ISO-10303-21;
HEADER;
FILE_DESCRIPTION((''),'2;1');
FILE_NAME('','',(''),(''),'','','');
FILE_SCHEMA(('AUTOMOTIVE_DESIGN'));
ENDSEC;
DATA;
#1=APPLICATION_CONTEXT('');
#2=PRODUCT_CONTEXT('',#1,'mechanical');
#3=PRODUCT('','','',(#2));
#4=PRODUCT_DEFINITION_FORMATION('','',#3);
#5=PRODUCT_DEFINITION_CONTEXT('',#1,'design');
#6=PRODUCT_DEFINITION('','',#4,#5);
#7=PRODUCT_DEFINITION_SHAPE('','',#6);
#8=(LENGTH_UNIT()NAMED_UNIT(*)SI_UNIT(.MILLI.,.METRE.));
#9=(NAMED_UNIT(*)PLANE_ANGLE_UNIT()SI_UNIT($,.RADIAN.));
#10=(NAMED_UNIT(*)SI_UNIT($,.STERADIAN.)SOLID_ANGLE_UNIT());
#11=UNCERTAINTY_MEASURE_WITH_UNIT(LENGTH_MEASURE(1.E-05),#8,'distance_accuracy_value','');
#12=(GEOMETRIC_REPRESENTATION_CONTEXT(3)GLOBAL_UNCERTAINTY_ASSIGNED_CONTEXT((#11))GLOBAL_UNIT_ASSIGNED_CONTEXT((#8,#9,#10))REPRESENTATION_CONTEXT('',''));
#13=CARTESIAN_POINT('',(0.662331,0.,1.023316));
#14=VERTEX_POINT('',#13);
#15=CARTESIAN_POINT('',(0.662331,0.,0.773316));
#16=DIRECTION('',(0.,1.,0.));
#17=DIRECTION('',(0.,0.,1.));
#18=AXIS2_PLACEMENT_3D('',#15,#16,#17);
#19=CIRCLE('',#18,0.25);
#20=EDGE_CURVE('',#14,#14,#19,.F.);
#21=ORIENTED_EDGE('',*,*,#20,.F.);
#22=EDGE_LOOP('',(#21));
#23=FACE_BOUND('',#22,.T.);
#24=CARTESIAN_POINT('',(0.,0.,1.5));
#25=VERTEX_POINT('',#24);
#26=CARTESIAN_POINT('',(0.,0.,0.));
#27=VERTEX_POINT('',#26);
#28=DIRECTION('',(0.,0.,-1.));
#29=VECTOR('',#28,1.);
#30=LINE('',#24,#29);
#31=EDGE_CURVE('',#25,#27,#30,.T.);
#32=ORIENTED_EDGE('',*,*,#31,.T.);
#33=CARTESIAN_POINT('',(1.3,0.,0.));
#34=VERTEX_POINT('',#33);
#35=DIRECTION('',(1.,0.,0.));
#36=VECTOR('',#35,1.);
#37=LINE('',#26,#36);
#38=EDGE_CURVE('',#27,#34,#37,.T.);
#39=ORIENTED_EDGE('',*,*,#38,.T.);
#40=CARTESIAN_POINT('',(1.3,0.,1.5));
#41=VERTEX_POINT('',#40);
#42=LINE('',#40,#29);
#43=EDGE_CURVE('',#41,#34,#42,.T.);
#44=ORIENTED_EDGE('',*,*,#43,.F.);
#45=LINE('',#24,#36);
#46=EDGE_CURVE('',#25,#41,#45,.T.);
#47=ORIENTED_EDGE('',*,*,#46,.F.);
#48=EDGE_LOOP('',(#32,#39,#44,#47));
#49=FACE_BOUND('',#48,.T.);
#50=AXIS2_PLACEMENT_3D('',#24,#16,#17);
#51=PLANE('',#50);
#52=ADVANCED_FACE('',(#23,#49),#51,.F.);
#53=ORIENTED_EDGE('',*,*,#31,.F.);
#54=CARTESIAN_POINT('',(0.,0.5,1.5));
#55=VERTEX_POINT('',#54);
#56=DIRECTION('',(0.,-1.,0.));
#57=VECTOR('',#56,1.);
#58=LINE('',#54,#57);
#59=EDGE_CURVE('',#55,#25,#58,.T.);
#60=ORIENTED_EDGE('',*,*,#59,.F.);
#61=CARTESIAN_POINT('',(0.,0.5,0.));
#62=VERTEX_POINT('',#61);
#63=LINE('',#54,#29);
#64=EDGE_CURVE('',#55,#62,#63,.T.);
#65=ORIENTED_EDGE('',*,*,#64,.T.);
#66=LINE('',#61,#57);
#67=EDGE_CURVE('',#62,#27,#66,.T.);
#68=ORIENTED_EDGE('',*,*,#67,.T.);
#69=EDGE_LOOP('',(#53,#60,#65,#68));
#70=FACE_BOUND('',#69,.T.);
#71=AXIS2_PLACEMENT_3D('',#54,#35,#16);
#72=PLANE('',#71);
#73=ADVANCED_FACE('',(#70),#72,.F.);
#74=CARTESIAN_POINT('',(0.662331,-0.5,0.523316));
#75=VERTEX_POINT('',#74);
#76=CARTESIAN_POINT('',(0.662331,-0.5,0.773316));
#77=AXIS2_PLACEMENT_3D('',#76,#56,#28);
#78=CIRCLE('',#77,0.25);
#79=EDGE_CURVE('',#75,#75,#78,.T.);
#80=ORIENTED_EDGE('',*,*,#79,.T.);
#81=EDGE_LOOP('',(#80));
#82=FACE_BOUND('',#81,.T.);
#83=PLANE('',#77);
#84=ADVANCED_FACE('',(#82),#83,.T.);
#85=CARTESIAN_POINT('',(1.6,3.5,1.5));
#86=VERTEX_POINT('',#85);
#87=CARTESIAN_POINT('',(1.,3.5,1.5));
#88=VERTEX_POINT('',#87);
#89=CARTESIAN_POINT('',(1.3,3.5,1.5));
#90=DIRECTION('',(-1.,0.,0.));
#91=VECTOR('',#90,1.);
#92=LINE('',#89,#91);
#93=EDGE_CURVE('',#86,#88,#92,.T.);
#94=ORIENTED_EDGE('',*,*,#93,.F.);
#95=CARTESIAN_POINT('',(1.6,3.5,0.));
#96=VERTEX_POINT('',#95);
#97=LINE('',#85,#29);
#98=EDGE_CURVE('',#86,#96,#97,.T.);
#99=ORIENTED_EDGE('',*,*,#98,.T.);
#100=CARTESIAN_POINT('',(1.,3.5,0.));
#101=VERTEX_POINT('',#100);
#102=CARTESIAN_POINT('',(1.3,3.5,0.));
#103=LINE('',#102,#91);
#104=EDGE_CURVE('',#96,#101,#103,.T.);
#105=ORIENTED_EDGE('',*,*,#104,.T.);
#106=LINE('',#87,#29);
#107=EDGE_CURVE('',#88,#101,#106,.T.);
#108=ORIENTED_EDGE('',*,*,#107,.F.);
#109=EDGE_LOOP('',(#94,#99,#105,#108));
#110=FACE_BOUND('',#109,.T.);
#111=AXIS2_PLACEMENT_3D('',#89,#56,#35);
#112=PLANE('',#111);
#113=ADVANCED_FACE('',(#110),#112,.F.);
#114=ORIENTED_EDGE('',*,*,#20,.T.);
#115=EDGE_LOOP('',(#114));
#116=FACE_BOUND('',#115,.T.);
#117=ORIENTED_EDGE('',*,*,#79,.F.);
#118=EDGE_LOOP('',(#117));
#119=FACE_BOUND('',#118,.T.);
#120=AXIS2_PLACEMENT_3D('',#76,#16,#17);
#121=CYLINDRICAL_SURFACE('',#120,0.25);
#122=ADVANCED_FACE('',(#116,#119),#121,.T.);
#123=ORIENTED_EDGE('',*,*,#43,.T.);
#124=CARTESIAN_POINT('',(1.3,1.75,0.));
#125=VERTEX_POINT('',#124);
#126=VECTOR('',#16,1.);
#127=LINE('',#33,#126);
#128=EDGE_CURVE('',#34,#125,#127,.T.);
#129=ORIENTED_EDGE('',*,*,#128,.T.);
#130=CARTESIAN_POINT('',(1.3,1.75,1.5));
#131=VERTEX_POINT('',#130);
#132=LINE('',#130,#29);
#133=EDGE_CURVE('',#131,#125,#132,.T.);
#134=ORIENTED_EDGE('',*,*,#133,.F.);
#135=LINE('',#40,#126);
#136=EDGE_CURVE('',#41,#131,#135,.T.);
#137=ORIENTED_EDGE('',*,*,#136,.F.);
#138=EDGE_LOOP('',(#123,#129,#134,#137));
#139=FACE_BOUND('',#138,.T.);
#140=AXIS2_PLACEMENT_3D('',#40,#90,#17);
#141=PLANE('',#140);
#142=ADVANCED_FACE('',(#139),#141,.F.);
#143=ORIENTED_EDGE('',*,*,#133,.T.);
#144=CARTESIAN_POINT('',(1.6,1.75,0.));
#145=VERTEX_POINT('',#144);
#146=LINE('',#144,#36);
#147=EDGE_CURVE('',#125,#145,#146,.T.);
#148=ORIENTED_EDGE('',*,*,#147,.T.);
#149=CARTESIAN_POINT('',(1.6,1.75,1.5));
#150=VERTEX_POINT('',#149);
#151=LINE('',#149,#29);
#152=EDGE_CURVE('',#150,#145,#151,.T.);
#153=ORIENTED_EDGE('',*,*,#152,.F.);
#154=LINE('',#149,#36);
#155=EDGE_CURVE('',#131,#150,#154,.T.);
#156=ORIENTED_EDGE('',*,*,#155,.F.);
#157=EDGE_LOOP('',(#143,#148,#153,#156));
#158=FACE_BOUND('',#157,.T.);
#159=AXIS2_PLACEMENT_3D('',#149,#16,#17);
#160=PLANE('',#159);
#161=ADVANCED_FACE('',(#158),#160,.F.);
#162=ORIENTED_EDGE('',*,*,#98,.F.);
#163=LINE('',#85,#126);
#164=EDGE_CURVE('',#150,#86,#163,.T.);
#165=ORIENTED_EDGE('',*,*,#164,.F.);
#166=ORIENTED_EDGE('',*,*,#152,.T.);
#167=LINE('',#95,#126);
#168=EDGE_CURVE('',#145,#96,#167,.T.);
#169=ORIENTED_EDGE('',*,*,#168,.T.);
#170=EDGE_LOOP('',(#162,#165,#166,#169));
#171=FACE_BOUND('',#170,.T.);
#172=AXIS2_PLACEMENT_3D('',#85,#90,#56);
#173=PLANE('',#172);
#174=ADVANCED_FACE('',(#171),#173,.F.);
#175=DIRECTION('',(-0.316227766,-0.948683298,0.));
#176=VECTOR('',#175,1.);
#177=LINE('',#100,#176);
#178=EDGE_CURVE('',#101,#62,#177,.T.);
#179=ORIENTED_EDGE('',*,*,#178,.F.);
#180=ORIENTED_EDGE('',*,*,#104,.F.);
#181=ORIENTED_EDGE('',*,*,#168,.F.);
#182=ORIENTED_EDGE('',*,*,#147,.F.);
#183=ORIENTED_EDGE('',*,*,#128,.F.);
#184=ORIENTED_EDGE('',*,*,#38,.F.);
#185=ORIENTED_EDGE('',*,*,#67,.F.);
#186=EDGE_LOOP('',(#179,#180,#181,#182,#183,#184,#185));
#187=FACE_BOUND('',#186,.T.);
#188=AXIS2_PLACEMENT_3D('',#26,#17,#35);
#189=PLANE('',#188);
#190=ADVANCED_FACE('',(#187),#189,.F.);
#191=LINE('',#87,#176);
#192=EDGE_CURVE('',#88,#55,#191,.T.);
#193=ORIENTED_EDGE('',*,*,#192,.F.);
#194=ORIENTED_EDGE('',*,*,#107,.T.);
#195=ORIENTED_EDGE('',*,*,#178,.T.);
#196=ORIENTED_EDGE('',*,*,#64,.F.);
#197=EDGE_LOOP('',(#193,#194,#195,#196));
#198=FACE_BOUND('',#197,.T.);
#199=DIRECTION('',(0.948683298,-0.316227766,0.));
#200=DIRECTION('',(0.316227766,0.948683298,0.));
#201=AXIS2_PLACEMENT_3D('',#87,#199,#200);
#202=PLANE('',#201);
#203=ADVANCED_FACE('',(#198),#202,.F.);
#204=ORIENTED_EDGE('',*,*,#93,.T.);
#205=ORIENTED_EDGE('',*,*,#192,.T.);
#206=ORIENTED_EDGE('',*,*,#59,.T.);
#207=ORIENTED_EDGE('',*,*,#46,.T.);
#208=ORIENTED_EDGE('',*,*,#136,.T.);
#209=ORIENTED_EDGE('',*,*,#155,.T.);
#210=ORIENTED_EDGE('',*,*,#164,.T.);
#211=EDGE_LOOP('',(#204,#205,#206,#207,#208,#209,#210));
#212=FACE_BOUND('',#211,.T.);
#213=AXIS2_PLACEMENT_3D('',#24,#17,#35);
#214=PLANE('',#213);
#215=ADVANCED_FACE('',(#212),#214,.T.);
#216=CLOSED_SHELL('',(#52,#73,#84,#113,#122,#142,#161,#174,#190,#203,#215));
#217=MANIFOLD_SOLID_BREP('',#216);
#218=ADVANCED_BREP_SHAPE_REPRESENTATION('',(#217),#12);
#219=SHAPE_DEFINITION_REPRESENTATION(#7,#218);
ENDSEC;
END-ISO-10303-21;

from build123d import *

# Parameters (mm, degrees)
BOSS_EXTRUDE1_DEPTH = 1.5
SKETCH2_R           = 0.25
BOSS_EXTRUDE2_DEPTH = 0.5


with BuildPart() as part:
    # Sketch1 → Boss-Extrude1 (new body)
    with BuildSketch(Plane.XY):
        Polygon((0, 0), (1.3, 0), (1.3, 1.75), (1.6, 1.75), (1.6, 3.5), (1.3, 3.5), (1, 3.5), (0, 0.5), align=None)
    extrude(amount=BOSS_EXTRUDE1_DEPTH)

    # Sketch2 → Boss-Extrude2 (add)
    with BuildSketch(Plane.XZ):
        with Locations(Location((0.662330501, 0.773316301, 0), (0, 0, 90))):
            Circle(SKETCH2_R)
    extrude(amount=BOSS_EXTRUDE2_DEPTH)


solid = part.part
